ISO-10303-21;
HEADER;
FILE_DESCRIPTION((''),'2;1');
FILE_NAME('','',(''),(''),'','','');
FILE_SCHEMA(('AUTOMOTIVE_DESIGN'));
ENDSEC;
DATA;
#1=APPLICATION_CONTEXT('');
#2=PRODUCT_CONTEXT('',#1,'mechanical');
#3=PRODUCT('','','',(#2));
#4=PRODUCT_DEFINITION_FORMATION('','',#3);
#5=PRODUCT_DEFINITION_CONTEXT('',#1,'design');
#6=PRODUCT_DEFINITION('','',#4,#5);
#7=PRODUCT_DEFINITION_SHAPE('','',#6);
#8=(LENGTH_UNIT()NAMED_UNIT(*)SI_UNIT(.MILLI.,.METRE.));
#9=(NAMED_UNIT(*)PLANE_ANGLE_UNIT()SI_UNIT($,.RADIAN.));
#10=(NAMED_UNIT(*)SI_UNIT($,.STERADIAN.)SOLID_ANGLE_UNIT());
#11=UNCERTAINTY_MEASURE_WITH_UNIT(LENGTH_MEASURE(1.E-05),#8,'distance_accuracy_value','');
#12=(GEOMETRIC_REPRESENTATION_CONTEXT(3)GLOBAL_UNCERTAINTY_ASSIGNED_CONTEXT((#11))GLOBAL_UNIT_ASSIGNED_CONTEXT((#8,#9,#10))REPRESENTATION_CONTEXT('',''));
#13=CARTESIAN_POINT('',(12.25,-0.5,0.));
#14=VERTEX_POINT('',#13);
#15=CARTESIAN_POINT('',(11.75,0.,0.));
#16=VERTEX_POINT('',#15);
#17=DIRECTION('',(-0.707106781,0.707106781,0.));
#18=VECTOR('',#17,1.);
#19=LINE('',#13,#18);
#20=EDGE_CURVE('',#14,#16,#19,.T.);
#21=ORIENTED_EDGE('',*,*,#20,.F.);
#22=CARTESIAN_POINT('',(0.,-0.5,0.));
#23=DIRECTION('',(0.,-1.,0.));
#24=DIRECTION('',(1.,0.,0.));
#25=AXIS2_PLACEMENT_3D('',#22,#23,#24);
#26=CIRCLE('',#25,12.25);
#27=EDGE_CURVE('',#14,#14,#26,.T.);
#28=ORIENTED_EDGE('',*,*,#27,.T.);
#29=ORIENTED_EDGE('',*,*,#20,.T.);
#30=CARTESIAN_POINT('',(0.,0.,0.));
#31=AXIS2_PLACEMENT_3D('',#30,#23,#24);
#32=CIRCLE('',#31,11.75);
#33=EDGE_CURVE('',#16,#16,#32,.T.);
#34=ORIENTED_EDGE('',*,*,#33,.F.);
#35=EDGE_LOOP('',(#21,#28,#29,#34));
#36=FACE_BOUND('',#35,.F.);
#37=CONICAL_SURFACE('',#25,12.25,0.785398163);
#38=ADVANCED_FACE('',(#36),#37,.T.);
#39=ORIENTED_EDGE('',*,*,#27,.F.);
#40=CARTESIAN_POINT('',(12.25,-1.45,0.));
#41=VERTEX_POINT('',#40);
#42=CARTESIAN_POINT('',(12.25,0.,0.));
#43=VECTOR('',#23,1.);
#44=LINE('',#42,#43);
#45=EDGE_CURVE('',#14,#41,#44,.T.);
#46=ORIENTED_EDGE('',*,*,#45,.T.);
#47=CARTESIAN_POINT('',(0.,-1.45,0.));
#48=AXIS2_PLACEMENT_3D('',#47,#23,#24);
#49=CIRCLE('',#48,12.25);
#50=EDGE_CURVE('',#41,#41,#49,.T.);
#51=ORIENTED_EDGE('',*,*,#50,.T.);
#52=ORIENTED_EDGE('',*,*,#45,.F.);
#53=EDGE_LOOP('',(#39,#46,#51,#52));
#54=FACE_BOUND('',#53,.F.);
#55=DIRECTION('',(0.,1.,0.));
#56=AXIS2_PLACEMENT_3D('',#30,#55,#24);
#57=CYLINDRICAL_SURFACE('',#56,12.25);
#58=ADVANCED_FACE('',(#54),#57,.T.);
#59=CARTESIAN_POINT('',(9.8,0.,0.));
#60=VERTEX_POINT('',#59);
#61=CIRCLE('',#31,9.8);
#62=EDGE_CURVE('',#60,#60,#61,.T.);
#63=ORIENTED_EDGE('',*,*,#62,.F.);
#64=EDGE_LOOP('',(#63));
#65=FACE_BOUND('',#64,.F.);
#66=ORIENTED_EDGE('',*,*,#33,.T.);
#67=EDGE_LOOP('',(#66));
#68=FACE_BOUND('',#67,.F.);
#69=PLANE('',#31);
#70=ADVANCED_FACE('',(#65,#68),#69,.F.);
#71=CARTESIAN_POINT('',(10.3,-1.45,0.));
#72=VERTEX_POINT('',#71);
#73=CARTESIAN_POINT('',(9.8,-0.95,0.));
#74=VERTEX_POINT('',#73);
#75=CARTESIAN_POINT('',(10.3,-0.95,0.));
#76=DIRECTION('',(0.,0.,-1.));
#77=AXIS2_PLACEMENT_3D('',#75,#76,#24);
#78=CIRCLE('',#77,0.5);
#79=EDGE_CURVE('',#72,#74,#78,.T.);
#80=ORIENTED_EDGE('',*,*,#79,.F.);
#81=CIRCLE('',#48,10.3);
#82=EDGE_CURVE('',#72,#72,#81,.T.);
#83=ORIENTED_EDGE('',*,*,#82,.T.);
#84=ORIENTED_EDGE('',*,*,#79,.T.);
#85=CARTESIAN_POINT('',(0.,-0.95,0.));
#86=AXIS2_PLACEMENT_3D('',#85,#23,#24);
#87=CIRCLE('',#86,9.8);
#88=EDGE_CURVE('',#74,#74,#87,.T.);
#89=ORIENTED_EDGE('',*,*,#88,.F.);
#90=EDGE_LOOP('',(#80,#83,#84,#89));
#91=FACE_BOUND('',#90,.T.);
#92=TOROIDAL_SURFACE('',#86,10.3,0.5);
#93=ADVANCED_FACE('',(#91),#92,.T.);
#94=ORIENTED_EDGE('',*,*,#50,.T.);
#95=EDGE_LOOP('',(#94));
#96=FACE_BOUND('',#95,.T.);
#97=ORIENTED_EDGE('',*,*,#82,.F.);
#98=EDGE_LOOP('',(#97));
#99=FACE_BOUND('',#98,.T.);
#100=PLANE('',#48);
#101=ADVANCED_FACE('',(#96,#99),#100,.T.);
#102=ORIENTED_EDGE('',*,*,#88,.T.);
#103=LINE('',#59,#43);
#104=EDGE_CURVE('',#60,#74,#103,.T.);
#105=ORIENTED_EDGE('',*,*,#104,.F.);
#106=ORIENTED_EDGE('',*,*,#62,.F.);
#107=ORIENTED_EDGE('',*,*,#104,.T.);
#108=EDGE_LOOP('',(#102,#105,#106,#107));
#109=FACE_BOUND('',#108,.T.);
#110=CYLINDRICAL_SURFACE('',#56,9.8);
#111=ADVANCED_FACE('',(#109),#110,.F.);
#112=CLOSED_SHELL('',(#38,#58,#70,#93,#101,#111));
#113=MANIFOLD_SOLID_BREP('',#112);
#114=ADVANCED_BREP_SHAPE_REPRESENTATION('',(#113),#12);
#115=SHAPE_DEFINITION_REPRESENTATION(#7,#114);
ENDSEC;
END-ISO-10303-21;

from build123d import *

# Parameters (mm, degrees)
F0_R     = 12.25
F0_R_2   = 9.8
F1_DEPTH = 1.45
F2_SIZE  = 0.5
F3_R     = 0.5


with BuildPart() as f1:
    # F0 (on Front) → F1 (new body)
    with BuildSketch(Plane.XZ):
        Circle(F0_R)
        Circle(F0_R_2, mode=Mode.SUBTRACT)
    extrude(amount=F1_DEPTH)

    # F2
    f2_edges = [f1.edges().sort_by_distance(p)[0] for p in [
        (-12.25, 0, 0),
    ]]
    chamfer(f2_edges, length=F2_SIZE)

    # F3
    f3_edges = [f1.edges().sort_by_distance(p)[0] for p in [
        (-9.8, -1.45, 0),
    ]]
    fillet(f3_edges, radius=F3_R)


solid = f1.part
